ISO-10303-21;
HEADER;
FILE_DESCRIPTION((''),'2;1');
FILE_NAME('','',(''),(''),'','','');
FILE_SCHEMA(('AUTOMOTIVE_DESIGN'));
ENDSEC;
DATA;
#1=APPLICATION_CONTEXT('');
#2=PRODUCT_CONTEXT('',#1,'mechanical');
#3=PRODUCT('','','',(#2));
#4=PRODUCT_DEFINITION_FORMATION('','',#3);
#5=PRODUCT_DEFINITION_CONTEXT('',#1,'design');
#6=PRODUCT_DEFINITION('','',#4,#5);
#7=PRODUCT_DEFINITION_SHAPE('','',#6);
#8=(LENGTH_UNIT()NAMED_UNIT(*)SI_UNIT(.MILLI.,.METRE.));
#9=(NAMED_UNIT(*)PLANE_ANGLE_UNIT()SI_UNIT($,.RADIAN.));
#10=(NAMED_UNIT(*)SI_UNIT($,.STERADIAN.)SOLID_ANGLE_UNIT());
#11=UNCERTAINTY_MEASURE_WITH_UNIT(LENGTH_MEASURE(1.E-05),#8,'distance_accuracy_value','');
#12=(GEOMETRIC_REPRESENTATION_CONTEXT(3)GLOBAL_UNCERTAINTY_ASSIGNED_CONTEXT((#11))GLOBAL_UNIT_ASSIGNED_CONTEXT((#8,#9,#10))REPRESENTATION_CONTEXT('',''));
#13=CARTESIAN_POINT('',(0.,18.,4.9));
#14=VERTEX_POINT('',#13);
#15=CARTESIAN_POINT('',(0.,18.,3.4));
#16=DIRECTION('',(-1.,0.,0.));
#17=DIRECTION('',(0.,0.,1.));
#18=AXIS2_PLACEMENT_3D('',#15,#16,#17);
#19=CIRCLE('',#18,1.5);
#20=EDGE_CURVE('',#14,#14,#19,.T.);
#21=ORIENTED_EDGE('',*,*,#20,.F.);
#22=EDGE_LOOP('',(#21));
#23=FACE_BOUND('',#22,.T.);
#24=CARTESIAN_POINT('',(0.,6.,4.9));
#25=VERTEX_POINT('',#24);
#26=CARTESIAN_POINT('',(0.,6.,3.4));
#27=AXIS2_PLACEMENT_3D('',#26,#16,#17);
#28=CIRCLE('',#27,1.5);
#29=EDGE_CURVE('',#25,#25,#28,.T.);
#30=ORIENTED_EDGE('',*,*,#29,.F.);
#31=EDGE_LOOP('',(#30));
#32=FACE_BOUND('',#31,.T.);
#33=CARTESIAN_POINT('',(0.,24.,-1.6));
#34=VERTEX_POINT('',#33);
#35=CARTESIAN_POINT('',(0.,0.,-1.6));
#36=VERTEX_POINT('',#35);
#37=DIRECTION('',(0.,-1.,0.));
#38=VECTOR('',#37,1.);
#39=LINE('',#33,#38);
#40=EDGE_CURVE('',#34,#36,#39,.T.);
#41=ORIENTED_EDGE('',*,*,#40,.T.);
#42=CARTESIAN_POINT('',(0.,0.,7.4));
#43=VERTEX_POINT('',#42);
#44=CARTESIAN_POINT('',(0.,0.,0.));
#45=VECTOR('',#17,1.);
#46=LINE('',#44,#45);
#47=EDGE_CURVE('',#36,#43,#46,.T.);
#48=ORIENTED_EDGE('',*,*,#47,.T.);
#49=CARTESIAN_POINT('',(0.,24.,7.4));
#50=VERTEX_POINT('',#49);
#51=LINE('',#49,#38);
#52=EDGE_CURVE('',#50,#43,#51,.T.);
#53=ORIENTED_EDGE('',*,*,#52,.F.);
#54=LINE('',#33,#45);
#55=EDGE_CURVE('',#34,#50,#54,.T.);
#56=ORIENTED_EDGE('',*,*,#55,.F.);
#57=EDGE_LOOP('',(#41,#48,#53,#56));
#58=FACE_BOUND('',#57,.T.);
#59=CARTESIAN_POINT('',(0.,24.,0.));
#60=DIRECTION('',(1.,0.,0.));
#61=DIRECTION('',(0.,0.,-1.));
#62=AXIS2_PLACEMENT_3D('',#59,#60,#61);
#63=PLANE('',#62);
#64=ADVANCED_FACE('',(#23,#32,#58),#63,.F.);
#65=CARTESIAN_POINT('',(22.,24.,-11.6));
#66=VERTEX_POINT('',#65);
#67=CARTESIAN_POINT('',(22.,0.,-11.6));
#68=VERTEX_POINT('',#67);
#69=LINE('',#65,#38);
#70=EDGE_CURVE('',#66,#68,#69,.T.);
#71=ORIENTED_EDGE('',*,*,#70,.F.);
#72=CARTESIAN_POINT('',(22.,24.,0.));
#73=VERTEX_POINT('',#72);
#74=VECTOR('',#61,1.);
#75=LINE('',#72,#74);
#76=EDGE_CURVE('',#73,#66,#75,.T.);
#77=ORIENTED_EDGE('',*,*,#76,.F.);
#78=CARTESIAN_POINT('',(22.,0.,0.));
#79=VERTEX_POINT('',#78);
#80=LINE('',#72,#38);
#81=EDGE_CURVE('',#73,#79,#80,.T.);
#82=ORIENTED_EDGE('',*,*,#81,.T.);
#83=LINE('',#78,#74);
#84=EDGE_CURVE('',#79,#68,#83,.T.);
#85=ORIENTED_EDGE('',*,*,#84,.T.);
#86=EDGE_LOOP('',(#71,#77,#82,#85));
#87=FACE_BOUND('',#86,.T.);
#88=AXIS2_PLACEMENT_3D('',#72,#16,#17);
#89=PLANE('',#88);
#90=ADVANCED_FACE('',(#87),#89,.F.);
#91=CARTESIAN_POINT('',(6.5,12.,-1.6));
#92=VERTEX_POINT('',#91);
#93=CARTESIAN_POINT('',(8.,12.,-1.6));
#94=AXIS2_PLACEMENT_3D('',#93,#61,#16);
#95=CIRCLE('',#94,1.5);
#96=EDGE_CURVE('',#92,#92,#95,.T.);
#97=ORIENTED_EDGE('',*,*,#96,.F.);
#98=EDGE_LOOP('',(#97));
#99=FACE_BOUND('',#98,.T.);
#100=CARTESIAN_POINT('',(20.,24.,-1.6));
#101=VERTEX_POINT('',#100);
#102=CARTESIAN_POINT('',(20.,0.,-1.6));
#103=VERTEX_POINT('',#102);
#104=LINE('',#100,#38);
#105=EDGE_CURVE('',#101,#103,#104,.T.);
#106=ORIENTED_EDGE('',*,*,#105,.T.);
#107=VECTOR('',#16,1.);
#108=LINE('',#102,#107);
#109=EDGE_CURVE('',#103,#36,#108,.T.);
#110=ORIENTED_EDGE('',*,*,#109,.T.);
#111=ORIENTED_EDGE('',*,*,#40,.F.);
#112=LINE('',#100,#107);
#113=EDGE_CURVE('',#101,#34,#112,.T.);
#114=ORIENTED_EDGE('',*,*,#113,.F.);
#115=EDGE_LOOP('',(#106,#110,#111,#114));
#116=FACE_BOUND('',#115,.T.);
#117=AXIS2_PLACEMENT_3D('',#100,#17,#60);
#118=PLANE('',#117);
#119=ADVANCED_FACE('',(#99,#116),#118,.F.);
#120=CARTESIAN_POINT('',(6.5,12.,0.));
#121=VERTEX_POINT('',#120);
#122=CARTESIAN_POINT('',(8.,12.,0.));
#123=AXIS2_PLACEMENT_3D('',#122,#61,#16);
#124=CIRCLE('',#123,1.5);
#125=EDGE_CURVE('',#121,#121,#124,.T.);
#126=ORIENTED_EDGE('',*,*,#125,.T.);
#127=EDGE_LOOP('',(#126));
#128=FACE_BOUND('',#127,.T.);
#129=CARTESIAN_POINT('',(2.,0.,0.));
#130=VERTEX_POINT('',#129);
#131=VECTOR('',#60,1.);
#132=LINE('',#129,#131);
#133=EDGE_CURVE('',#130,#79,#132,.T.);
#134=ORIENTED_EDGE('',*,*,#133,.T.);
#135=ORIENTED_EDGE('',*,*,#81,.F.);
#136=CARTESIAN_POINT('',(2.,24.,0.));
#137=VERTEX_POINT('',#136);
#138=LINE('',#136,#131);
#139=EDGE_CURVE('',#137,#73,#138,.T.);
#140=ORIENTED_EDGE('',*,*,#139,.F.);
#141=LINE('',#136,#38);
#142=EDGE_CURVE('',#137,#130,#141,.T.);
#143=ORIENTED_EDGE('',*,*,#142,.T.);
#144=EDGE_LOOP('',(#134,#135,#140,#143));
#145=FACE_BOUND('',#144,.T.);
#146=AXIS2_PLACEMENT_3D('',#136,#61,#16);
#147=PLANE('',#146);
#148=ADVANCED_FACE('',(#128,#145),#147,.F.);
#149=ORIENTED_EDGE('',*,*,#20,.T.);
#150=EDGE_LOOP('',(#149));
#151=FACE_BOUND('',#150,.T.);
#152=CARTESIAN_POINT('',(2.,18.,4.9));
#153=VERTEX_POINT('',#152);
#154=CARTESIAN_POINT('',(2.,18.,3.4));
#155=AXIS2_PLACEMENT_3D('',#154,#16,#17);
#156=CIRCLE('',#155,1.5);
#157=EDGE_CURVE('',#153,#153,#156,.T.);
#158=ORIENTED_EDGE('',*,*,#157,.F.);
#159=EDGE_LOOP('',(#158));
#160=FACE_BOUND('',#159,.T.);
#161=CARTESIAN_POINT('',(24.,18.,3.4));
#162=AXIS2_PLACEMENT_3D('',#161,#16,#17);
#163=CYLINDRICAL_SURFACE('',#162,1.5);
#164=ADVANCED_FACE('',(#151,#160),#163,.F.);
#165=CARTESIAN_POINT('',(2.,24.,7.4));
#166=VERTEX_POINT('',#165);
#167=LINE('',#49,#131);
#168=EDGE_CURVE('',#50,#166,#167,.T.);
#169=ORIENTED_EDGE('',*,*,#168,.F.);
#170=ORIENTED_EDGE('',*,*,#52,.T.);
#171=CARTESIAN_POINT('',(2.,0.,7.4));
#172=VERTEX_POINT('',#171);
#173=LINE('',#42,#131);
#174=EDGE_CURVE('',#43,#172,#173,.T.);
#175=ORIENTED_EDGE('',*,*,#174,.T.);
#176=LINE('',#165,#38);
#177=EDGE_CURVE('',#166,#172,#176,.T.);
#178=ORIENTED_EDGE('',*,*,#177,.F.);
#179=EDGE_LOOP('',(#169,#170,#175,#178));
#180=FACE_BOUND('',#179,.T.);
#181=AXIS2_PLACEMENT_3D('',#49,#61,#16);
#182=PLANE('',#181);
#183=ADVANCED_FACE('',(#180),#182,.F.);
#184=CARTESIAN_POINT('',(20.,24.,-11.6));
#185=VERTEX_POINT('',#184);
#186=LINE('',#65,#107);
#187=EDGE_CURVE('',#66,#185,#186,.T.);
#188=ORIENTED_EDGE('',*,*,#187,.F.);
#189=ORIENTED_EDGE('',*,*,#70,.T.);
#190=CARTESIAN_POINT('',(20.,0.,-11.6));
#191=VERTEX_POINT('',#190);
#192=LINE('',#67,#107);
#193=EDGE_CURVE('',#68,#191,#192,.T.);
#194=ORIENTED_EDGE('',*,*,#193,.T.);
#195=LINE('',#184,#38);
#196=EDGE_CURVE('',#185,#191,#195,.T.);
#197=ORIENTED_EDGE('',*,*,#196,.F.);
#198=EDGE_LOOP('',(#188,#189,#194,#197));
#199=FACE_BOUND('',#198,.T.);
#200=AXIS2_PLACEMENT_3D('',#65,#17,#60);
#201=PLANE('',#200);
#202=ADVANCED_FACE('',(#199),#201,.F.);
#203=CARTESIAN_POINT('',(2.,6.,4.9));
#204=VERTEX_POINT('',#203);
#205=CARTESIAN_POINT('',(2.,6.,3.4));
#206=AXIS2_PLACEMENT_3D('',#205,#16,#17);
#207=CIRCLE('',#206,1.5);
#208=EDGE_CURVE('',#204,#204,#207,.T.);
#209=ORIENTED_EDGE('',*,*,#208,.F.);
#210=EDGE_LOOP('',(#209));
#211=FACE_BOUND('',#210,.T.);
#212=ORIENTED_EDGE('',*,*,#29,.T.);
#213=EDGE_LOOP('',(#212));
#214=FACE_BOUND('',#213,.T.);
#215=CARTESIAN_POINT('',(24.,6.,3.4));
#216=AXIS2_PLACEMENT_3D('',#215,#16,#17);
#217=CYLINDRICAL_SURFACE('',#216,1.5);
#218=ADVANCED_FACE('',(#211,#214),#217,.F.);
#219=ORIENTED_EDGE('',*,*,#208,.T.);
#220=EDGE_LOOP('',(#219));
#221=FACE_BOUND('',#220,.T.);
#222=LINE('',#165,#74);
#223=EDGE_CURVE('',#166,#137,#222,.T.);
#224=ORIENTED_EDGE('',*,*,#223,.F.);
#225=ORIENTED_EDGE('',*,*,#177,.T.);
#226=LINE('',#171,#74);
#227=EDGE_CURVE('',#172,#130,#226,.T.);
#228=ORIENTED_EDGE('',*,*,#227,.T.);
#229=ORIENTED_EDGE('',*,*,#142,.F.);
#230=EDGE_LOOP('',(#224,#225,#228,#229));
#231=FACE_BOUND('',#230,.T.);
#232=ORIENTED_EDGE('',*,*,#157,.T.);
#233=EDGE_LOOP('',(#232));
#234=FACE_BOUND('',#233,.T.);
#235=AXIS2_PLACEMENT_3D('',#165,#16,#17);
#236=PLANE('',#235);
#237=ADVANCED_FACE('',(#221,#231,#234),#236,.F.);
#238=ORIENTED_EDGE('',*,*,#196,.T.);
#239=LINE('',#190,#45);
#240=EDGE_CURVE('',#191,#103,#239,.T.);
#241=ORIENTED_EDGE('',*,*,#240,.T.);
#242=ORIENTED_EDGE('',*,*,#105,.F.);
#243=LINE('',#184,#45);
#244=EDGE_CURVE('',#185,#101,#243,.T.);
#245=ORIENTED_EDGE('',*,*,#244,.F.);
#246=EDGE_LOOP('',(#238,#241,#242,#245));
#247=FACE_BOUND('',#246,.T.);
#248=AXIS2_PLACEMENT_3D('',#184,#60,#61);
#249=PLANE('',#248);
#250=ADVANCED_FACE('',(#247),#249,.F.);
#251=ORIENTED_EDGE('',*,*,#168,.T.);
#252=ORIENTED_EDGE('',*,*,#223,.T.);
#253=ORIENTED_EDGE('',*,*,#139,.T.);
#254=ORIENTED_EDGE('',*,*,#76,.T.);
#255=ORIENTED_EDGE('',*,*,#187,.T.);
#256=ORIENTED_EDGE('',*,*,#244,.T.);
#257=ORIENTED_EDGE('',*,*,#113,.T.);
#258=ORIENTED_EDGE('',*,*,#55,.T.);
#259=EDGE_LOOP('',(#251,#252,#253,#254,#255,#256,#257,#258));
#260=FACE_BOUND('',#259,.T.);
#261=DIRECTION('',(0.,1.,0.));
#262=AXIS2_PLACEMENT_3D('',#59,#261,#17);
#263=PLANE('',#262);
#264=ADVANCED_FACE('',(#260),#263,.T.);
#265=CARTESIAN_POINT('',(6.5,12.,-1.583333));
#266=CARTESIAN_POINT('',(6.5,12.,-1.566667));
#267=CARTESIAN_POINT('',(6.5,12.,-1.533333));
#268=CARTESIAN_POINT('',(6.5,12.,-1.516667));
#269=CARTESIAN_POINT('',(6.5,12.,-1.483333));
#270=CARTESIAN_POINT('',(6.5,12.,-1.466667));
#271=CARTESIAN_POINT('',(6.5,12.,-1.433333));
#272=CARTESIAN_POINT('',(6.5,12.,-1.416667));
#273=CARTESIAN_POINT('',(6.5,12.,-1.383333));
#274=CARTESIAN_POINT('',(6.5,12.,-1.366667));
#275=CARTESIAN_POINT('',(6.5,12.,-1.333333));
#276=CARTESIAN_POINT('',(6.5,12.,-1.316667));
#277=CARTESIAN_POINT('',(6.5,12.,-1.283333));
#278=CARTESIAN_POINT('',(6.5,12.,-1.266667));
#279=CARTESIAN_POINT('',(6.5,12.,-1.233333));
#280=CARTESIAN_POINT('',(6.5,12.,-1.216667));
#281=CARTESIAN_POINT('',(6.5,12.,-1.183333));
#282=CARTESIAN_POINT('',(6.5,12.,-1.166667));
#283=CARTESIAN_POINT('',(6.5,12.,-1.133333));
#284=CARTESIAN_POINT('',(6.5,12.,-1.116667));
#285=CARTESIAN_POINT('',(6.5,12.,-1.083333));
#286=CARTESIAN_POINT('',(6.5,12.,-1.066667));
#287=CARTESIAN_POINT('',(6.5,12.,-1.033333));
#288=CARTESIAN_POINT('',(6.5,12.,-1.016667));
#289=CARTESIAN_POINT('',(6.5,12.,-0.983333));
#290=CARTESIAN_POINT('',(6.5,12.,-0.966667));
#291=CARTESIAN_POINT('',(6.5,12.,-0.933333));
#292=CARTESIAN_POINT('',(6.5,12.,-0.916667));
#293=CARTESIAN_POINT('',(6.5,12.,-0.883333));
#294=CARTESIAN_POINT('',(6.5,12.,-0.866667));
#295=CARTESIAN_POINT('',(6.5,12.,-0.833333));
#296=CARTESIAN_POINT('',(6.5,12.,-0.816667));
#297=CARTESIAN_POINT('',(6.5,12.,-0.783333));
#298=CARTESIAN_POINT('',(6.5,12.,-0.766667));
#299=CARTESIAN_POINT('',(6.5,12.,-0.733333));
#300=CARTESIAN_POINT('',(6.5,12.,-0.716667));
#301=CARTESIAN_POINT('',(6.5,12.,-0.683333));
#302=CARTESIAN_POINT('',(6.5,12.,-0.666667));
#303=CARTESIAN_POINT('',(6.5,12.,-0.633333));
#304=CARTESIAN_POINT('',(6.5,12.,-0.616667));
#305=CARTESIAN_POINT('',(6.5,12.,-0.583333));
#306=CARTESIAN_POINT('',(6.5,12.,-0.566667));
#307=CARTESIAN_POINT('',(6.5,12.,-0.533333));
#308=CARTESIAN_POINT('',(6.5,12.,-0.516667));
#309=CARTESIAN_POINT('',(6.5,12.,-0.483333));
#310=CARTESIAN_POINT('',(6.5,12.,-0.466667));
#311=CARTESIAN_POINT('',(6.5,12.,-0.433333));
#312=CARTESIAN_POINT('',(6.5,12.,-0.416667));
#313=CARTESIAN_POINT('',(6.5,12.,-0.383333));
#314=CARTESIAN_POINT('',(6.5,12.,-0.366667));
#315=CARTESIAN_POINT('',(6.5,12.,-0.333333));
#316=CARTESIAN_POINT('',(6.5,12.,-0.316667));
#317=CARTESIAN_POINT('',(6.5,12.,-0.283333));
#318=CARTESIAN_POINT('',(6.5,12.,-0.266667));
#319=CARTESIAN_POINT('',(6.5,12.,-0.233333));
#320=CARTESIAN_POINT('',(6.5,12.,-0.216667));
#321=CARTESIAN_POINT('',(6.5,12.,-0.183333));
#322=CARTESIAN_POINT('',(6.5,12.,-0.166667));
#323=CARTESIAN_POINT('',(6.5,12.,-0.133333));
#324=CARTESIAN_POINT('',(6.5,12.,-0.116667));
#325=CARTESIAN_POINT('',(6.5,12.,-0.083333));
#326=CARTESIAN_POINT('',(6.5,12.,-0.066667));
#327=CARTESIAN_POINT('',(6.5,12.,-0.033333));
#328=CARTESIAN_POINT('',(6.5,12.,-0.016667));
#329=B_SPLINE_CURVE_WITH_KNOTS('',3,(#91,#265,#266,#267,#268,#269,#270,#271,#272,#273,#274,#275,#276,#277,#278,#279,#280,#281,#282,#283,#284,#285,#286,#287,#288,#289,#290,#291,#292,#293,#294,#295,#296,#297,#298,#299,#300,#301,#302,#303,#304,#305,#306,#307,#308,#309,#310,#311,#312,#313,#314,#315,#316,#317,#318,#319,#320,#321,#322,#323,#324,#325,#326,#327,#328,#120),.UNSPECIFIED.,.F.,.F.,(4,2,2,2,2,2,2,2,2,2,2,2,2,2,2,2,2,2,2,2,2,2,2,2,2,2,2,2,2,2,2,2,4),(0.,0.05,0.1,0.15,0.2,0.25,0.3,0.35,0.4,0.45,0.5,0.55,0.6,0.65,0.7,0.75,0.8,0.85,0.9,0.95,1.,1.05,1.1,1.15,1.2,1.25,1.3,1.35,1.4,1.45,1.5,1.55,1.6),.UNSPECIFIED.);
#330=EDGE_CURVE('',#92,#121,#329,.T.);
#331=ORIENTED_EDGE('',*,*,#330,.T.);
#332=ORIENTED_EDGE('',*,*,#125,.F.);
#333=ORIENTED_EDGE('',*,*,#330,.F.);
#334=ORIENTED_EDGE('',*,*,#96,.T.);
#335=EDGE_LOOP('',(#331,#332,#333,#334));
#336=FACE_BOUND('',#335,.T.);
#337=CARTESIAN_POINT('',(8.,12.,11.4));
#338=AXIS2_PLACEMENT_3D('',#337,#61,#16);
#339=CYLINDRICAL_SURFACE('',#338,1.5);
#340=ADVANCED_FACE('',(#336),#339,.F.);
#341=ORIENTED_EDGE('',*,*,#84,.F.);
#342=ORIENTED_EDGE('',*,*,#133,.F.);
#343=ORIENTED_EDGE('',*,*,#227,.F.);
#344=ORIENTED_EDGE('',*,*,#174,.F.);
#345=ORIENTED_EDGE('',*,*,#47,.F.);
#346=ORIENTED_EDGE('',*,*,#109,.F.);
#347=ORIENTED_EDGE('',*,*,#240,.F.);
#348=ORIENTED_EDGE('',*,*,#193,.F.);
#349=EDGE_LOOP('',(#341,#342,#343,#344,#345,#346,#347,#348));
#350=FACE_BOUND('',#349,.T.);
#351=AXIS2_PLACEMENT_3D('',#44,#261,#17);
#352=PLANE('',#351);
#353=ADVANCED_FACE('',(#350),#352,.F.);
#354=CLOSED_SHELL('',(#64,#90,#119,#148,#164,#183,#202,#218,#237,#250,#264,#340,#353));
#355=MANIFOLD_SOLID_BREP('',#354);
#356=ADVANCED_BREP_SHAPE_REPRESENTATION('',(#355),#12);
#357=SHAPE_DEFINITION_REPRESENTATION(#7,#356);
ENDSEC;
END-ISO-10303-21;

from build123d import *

# Parameters (mm, degrees)
RESSALTO_EXTRUS_O2_DEPTH = 24
ESBO_O2_R                = 1.5
CORTE_EXTRUS_O1_DEPTH    = 24
ESBO_O6_R                = 1.5
CORTE_EXTRUS_O2_DEPTH    = 13


with BuildPart() as part:
    # Esboço1 → Ressalto-extrusão2 (new body)
    with BuildSketch(Plane(origin=(0, 0, 0), x_dir=(1, 0, 0), z_dir=(0, 1, 0))):
        Polygon((0, 0), (0, -7.4), (2, -7.4), (2, 0), (22, 0), (22, 11.6), (20, 11.6), (20, 1.6), (0, 1.6), align=None)
    extrude(amount=RESSALTO_EXTRUS_O2_DEPTH)

    # Esboço2 → Corte-extrusão1 (cut)
    with BuildSketch(Plane.ZY):
        with Locations((3.4, 18)):
            Circle(ESBO_O2_R)
        with Locations((3.4, 6)):
            Circle(ESBO_O2_R)
    extrude(amount=-CORTE_EXTRUS_O1_DEPTH, mode=Mode.SUBTRACT)

    # Esboço6 → Corte-extrusão2 (cut)
    with BuildSketch(Plane(origin=(0, 0, -1.6), x_dir=(-1, 0, 0), z_dir=(0, 0, -1))):
        with Locations((-8, 12)):
            Circle(ESBO_O6_R)
    extrude(amount=-CORTE_EXTRUS_O2_DEPTH, mode=Mode.SUBTRACT)


solid = part.part
